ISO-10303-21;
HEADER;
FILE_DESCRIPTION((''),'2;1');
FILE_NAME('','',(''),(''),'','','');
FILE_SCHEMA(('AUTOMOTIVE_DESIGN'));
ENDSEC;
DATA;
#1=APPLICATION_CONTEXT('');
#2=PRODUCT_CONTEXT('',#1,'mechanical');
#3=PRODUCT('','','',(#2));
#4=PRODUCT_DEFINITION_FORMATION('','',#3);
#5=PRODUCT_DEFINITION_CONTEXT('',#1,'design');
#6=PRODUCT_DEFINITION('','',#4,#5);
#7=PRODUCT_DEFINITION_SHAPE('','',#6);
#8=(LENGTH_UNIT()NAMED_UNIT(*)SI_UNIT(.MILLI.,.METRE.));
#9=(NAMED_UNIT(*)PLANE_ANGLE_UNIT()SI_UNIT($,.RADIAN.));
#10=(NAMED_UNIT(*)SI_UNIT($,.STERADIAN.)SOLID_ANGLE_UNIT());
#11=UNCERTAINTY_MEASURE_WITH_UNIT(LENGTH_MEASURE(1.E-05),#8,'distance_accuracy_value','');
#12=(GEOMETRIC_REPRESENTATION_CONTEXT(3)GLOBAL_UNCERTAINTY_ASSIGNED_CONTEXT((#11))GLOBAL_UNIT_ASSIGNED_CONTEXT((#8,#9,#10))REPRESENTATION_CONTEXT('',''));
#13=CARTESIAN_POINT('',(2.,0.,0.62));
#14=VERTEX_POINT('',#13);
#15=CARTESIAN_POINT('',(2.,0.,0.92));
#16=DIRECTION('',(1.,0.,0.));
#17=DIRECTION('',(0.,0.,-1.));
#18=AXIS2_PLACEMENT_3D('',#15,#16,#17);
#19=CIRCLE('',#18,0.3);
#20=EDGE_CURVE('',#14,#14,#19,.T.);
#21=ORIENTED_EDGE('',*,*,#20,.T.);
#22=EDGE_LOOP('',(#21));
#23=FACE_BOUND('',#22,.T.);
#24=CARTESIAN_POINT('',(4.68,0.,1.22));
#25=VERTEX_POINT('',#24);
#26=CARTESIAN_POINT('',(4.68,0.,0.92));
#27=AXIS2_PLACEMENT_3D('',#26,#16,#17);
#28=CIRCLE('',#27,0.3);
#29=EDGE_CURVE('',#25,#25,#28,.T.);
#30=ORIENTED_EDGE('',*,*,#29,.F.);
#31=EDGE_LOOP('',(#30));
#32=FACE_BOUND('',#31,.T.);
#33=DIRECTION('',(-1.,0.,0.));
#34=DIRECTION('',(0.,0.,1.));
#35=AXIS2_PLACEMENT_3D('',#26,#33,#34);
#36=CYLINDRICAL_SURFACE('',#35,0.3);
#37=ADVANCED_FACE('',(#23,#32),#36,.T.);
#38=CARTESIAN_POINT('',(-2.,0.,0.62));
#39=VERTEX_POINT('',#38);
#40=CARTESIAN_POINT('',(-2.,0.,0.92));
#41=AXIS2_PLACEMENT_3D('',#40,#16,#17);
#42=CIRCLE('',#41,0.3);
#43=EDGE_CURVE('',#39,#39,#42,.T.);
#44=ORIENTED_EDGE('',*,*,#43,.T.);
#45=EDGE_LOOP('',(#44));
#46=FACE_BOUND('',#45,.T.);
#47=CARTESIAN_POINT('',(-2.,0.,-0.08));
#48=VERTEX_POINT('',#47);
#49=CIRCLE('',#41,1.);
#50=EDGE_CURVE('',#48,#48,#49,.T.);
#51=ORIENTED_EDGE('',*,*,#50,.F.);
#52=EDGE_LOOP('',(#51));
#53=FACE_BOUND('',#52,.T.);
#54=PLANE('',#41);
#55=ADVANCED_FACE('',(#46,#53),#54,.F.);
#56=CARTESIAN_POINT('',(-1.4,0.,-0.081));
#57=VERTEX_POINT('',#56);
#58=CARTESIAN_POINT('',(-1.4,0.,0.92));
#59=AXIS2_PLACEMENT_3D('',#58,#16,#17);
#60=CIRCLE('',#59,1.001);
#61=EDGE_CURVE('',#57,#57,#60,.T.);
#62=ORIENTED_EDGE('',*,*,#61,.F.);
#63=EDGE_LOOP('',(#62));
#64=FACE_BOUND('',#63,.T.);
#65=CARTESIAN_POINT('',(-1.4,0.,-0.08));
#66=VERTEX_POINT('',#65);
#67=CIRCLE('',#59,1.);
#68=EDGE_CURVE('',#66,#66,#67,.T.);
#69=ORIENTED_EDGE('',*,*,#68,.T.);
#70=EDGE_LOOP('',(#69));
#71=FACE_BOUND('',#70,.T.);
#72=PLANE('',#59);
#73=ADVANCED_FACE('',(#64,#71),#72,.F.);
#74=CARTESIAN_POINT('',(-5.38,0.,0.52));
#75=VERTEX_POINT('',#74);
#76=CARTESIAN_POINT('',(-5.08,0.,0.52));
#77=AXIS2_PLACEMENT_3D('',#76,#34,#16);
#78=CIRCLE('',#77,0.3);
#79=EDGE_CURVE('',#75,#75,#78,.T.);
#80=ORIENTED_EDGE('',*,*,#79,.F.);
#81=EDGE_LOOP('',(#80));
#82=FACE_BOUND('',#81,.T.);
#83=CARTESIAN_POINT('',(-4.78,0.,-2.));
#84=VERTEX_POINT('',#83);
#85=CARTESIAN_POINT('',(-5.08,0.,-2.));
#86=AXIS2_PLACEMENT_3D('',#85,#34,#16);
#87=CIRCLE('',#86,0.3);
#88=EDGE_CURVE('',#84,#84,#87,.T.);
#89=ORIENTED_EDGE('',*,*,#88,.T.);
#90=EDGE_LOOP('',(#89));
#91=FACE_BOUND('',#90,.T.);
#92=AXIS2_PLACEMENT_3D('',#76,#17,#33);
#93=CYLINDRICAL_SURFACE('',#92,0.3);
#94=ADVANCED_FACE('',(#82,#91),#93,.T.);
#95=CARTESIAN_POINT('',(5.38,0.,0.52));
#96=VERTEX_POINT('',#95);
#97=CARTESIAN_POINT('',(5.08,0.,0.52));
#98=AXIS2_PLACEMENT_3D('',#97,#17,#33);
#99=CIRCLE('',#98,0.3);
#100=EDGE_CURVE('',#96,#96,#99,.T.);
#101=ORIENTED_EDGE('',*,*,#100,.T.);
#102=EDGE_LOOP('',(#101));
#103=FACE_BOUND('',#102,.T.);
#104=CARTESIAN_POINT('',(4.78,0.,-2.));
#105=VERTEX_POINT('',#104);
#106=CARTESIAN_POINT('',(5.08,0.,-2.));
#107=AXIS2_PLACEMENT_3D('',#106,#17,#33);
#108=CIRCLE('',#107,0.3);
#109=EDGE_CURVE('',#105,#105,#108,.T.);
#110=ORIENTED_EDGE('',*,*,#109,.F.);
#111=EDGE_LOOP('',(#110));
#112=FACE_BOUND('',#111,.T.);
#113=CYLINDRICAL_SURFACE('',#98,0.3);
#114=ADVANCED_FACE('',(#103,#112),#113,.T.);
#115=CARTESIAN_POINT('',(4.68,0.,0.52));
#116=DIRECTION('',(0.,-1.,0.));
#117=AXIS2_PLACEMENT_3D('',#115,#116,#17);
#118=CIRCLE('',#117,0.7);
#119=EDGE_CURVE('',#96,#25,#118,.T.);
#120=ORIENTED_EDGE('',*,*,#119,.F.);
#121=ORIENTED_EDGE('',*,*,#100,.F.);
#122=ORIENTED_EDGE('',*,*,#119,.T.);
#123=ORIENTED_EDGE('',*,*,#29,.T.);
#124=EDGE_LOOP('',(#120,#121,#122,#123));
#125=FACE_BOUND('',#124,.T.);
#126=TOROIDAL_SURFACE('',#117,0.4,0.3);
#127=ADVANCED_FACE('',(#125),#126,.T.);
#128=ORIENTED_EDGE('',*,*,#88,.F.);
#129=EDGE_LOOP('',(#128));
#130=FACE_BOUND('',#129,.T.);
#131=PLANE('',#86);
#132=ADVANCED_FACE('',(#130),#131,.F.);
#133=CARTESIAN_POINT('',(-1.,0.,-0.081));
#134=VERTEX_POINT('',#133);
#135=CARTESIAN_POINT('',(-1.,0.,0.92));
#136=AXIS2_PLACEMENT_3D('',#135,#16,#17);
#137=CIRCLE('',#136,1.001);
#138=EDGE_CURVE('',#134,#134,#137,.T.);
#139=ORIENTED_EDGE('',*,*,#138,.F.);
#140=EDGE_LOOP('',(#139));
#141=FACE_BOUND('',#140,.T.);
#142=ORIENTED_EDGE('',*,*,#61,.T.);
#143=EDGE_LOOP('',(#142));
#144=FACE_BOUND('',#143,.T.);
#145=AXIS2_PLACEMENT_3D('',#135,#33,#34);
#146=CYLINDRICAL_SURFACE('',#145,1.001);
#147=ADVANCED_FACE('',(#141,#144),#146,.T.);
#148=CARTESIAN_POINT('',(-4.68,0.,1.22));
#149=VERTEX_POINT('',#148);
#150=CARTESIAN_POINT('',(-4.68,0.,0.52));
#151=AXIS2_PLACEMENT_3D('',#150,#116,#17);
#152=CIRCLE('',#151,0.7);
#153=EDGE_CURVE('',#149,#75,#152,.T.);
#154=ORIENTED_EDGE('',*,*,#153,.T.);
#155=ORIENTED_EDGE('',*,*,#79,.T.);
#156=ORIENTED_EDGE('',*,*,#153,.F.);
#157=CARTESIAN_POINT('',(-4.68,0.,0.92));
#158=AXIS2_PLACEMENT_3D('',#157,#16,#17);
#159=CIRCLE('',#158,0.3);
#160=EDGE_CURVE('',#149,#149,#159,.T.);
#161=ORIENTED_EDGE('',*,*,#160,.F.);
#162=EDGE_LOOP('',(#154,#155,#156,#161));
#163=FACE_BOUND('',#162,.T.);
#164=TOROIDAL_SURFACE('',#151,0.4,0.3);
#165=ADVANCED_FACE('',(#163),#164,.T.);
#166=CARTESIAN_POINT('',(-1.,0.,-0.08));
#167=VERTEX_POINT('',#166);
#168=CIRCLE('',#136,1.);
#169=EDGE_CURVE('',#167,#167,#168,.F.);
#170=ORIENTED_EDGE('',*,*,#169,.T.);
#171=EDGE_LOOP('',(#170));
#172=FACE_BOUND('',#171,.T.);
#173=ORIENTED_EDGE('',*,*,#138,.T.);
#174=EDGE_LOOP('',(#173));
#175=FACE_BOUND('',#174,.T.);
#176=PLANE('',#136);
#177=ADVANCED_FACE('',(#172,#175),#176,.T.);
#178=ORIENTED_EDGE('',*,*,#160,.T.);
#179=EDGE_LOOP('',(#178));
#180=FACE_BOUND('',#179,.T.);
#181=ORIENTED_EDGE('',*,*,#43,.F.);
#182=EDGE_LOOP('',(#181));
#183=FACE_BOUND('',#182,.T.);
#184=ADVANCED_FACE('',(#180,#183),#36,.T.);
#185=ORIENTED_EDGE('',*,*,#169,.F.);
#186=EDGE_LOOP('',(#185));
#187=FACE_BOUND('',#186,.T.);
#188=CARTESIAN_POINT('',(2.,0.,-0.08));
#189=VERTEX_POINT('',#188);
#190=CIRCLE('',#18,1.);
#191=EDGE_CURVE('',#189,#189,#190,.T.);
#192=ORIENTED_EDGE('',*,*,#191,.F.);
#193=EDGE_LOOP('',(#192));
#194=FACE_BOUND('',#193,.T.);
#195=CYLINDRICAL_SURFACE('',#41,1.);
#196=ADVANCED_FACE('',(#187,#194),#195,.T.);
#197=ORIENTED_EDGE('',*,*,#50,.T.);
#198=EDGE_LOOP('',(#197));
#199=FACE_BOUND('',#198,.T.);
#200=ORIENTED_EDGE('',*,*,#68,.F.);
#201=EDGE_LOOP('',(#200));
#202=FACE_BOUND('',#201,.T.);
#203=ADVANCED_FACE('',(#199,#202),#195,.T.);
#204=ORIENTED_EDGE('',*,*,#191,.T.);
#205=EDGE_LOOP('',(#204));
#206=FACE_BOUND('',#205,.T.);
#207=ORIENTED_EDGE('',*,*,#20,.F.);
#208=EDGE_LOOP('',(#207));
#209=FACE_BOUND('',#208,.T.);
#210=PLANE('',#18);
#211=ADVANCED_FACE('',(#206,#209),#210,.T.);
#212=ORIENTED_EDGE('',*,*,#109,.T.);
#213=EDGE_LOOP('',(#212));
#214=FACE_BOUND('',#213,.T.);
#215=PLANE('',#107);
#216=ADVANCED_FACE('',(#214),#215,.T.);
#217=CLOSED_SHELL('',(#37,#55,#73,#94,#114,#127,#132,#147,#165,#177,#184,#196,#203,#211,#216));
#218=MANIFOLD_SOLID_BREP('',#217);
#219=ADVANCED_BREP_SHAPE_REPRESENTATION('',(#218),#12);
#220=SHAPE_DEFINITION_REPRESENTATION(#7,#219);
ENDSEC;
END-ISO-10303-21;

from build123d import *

# Parameters (mm, degrees)
IZIM2_R                     = 0.3
IZIM4_R                     = 1
Y_KSEKLIK_EKSTR_ZYON3_DEPTH = 2
EKSTR_ZYON_NCE1_START       = -1.2
IZIM4_5_R                   = 1.001
IZIM4_5_R_2                 = 1
EKSTR_ZYON_NCE1_DEPTH       = 0.2


with BuildPart() as part:
    # Süpür2: sweep along a path in Çizim3
    with BuildLine(Plane(origin=(0, 0, 0), x_dir=(1, 0, 0), z_dir=(0, 1, 0))) as s_p_r2_path:
        Line((5.08, 2), (5.08, -0.52))
        ThreePointArc((5.08, -0.52), (4.962842712, -0.802842712), (4.68, -0.92))
        Line((4.68, -0.92), (-4.68, -0.92))
        ThreePointArc((-4.68, -0.92), (-4.962842712, -0.802842712), (-5.08, -0.52))
        Line((-5.08, -0.52), (-5.08, 2))
    # Çizim2 → Süpür2 (sweep)
    with BuildSketch(Plane(origin=(0, 0, -2), x_dir=(-1, 0, 0), z_dir=(0, 0, -1))):
        with Locations((-5.08, 0)):
            Circle(IZIM2_R)
    sweep(path=s_p_r2_path.line)

    # Çizim4 → Yükseklik-Ekstrüzyon3 (add, symmetric)
    with BuildSketch(Plane(origin=(0, 0, 0), x_dir=(0, 0, -1), z_dir=(1, 0, 0))):
        with Locations((-0.92, 0)):
            Circle(IZIM4_R)
    extrude(amount=Y_KSEKLIK_EKSTR_ZYON3_DEPTH, both=True)

    # Çizim4<5> → Ekstrüzyon-İnce1 (add, symmetric)
    with BuildSketch(Plane(origin=(0, 0, 0), x_dir=(0, 0, -1), z_dir=(1, 0, 0)).offset(EKSTR_ZYON_NCE1_START)):
        with Locations((-0.92, 0)):
            Circle(IZIM4_5_R)
        with Locations((-0.92, 0)):
            Circle(IZIM4_5_R_2, mode=Mode.SUBTRACT)
    extrude(amount=EKSTR_ZYON_NCE1_DEPTH, both=True)


solid = part.part
